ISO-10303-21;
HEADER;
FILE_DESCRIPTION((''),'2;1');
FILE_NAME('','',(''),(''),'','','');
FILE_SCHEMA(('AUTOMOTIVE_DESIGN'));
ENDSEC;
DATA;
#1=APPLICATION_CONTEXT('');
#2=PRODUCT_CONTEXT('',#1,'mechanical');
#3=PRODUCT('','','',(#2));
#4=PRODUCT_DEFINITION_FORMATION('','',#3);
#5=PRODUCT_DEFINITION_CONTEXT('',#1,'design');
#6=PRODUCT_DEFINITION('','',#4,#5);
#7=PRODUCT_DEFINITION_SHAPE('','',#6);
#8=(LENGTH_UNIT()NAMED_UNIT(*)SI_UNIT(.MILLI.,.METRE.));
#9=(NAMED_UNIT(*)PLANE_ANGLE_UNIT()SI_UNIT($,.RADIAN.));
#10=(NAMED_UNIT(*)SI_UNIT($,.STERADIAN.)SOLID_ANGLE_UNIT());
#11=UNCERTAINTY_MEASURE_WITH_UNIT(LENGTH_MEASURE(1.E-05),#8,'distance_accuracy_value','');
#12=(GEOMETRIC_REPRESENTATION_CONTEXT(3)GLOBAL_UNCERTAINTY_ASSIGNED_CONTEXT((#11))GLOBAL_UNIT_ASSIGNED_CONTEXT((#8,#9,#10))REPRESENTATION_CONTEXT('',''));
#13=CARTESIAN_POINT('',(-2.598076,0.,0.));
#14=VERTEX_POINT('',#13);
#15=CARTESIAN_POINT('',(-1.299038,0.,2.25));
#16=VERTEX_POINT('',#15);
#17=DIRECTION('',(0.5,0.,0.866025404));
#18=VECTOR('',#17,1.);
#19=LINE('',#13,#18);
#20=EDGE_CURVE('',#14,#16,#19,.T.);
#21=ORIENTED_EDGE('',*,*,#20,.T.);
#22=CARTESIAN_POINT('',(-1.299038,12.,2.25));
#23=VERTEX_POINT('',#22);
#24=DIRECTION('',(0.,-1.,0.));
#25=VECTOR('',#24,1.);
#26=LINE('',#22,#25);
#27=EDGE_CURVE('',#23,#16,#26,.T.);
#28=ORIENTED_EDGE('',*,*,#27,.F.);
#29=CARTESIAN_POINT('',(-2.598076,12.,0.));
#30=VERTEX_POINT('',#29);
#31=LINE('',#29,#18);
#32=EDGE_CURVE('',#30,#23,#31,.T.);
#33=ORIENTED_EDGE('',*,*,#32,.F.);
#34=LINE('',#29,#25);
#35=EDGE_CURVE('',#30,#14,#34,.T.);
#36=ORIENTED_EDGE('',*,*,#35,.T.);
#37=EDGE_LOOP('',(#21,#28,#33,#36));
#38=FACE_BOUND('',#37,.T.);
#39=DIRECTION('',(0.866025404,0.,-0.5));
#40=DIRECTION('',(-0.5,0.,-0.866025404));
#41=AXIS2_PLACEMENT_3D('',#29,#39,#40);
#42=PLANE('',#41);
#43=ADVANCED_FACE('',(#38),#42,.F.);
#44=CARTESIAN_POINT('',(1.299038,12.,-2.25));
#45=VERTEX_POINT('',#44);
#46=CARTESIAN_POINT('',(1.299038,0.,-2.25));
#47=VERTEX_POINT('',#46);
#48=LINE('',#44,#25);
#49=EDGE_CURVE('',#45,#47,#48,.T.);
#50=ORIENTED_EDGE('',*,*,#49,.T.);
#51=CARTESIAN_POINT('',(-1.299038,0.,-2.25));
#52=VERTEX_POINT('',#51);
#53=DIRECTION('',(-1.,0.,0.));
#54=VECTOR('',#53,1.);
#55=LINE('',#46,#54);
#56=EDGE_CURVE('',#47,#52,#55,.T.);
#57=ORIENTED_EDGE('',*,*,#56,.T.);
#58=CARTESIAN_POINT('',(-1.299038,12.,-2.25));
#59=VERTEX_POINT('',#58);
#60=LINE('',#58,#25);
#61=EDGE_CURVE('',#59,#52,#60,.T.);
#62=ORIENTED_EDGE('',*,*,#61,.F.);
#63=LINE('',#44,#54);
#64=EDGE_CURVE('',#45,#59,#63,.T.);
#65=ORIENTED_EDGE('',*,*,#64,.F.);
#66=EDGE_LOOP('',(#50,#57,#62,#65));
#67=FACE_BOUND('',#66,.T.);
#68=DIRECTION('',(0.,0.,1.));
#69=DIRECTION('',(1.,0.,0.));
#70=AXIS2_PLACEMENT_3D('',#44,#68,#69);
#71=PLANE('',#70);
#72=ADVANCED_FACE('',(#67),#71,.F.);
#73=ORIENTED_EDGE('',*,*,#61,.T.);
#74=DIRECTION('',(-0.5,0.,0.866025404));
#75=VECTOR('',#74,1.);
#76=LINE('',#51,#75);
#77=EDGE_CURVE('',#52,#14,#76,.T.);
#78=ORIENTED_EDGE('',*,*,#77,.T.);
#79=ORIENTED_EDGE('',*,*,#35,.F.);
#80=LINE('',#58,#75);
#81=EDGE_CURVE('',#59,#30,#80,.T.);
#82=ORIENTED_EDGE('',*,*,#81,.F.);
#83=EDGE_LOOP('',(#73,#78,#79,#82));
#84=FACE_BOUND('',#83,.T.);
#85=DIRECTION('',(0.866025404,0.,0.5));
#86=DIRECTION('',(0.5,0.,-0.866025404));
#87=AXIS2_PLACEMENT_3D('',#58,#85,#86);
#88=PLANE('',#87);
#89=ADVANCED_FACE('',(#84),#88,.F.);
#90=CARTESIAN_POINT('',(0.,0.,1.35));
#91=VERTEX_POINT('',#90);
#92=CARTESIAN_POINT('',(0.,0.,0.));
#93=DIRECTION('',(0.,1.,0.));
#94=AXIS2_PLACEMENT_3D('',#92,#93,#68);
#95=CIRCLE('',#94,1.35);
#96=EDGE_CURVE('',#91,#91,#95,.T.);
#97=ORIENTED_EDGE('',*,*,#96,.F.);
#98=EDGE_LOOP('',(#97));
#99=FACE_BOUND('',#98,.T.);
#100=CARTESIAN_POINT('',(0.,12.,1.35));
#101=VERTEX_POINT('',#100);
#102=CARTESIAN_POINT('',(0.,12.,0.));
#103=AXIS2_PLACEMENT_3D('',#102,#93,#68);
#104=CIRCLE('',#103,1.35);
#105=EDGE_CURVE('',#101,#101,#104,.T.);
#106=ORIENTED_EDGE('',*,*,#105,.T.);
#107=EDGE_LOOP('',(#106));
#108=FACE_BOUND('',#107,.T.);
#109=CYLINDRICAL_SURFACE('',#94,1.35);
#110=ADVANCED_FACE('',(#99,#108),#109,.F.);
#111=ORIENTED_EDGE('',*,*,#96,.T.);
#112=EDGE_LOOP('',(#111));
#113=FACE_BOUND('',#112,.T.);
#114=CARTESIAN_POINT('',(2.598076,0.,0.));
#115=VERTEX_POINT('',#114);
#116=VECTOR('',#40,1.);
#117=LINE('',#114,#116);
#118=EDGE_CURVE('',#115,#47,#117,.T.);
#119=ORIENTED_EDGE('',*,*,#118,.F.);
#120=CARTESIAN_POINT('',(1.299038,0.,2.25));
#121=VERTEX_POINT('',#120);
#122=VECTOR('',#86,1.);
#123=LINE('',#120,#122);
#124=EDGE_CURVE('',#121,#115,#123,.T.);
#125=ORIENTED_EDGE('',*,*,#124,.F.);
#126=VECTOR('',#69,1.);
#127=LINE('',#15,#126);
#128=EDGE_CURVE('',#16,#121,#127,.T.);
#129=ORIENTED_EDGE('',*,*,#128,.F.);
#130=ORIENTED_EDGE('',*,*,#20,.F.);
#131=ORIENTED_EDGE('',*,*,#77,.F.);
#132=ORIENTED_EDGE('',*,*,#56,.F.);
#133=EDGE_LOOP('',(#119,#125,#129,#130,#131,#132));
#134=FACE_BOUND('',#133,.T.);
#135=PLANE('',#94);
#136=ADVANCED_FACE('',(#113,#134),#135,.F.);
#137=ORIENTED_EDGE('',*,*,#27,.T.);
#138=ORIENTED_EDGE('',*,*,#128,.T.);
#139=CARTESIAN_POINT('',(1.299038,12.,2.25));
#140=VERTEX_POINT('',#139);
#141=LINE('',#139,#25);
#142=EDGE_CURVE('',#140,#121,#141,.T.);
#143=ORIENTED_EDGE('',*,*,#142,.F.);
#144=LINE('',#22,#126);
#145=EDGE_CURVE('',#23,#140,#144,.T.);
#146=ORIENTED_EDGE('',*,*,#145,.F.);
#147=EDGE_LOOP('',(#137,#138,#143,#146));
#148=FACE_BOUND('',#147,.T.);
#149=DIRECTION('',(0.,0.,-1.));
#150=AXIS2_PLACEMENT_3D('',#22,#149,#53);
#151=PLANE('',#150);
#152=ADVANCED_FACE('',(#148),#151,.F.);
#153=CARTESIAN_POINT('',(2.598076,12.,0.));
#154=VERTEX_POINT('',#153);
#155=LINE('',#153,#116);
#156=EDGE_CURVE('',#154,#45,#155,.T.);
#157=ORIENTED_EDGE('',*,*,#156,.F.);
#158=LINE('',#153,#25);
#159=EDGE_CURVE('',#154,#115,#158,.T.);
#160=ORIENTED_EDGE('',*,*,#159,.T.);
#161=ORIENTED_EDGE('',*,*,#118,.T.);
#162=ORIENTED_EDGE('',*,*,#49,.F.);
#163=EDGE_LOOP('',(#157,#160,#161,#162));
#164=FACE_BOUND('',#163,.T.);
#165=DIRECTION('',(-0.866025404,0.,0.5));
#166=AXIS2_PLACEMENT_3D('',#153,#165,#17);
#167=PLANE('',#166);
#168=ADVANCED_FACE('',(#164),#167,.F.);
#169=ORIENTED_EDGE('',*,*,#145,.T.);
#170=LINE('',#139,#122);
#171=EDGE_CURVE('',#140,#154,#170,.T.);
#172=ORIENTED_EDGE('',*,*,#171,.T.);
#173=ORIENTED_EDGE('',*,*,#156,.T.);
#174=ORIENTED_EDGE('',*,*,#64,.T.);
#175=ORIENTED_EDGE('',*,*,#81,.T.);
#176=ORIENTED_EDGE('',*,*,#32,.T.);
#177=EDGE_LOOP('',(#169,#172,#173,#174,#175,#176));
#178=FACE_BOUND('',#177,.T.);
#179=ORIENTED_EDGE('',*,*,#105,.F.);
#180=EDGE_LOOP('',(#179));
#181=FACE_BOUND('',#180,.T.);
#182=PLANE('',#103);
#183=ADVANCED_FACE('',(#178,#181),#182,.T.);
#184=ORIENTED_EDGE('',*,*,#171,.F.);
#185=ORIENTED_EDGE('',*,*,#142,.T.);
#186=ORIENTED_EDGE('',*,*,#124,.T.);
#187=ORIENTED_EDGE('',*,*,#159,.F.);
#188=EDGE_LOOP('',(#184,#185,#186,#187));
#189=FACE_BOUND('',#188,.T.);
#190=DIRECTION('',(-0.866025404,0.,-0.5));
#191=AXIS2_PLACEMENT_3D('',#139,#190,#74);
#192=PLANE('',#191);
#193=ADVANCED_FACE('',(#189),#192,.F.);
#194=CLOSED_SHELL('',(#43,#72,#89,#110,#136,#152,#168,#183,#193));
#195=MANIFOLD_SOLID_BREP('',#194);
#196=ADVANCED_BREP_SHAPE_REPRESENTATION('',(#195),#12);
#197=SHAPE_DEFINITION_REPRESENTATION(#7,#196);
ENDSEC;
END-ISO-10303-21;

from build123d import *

# Parameters (mm, degrees)
BOSS_EXTRUDE1_DEPTH = 12
SKETCH2_R           = 1.35
CUT_EXTRUDE1_DEPTH  = 13.482487733


with BuildPart() as part:
    # Sketch1 → Boss-Extrude1 (new body)
    with BuildSketch(Plane(origin=(0, 0, 0), x_dir=(1, 0, 0), z_dir=(0, 1, 0))):
        Polygon((-1.299038106, -2.25), (1.299038106, -2.25), (2.598076211, 0), (1.299038106, 2.25), (-1.299038106, 2.25), (-2.598076211, 0), align=None)
    extrude(amount=BOSS_EXTRUDE1_DEPTH)

    # Sketch2 → Cut-Extrude1 (cut, through all)
    with BuildSketch(Plane(origin=(0, 12, 0), x_dir=(1, 0, 0), z_dir=(0, 1, 0))):
        with Locations(Location((0, 0, 0), (0, 0, 270))):
            Circle(SKETCH2_R)
    extrude(amount=-CUT_EXTRUDE1_DEPTH, mode=Mode.SUBTRACT)


solid = part.part
